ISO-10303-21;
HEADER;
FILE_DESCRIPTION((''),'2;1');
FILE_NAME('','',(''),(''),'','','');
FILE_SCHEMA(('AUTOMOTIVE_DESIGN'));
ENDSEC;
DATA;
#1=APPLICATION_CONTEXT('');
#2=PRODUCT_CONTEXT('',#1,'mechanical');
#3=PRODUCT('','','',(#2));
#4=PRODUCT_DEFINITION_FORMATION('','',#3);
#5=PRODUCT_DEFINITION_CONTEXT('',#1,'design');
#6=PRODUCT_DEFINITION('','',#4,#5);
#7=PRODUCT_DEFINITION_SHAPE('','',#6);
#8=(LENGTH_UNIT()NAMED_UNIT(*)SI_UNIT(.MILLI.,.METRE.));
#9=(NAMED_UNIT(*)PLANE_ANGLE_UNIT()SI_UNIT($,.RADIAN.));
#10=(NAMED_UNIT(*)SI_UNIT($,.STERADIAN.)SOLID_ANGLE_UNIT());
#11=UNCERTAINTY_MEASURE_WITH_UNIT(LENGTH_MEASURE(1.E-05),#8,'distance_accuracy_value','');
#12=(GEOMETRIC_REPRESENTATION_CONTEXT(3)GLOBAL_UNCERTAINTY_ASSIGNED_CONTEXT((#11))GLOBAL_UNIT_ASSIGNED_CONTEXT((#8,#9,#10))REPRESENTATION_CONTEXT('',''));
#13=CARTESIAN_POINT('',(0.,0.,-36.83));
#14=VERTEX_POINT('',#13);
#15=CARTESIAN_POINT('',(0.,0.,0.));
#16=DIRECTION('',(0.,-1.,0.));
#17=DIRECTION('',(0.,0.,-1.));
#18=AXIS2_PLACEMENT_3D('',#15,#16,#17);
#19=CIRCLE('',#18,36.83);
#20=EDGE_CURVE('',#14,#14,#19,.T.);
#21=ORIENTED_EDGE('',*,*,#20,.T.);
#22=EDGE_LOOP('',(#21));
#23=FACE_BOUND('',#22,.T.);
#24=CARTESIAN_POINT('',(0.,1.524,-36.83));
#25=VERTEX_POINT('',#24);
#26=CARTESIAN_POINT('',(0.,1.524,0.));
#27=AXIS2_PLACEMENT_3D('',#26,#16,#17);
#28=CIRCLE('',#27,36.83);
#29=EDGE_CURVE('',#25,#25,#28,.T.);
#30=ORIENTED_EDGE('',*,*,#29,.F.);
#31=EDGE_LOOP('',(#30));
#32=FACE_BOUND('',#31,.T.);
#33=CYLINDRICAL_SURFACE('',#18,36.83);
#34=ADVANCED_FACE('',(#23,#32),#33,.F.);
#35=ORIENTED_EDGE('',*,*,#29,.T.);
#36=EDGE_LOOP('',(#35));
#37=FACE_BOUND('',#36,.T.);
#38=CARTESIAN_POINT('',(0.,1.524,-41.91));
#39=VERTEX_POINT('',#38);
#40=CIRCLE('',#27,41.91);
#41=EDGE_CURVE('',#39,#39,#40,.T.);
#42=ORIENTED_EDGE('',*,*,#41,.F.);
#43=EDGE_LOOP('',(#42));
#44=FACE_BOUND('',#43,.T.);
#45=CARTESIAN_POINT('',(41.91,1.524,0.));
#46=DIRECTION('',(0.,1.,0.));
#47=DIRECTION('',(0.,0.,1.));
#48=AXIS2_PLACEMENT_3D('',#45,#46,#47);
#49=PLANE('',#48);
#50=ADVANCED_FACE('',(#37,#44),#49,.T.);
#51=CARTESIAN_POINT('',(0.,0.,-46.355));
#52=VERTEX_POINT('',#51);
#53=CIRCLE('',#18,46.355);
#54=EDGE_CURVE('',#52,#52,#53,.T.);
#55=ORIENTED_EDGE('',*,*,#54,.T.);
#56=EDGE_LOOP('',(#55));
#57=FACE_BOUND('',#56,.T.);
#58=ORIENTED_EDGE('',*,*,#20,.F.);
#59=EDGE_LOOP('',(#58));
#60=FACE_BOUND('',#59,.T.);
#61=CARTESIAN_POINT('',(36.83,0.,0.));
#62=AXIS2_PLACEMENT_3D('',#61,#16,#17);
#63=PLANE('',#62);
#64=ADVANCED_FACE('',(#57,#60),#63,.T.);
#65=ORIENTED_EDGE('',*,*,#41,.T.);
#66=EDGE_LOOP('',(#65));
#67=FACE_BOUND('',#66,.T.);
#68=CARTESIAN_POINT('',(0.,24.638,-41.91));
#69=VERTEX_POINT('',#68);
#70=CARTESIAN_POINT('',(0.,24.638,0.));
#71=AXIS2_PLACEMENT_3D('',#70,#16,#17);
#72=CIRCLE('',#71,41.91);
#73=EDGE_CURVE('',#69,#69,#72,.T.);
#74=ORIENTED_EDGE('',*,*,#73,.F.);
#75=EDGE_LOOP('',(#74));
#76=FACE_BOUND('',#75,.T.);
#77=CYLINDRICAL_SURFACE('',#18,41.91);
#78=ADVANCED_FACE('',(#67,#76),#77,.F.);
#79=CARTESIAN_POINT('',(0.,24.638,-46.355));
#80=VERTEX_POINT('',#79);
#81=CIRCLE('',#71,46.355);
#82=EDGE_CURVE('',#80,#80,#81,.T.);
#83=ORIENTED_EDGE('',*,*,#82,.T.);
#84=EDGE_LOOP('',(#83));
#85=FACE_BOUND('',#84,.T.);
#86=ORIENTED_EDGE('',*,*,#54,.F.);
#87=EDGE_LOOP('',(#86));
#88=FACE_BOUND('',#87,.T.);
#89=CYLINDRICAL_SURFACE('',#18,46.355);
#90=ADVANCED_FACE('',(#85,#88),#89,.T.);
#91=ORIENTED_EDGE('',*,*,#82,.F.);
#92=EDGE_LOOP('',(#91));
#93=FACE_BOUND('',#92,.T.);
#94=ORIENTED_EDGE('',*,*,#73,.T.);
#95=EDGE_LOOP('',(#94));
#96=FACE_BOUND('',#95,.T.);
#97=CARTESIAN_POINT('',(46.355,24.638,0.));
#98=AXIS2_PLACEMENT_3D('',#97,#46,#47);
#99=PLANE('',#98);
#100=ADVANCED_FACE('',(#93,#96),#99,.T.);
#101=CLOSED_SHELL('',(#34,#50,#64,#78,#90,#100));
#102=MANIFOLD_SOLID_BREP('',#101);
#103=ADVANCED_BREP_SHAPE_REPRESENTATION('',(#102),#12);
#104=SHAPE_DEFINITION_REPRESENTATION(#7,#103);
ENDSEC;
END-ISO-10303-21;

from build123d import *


with BuildPart() as part:
    # Sketch1 → Revolve1 (revolve)
    with BuildSketch(Plane.XY):
        Polygon((46.355, 0), (46.355, 24.638), (41.91, 24.638), (41.91, 1.524), (36.83, 1.524), (36.83, 0), align=None)
    revolve(axis=Axis((0, 0, 0), (0, 1, 0)))


solid = part.part
